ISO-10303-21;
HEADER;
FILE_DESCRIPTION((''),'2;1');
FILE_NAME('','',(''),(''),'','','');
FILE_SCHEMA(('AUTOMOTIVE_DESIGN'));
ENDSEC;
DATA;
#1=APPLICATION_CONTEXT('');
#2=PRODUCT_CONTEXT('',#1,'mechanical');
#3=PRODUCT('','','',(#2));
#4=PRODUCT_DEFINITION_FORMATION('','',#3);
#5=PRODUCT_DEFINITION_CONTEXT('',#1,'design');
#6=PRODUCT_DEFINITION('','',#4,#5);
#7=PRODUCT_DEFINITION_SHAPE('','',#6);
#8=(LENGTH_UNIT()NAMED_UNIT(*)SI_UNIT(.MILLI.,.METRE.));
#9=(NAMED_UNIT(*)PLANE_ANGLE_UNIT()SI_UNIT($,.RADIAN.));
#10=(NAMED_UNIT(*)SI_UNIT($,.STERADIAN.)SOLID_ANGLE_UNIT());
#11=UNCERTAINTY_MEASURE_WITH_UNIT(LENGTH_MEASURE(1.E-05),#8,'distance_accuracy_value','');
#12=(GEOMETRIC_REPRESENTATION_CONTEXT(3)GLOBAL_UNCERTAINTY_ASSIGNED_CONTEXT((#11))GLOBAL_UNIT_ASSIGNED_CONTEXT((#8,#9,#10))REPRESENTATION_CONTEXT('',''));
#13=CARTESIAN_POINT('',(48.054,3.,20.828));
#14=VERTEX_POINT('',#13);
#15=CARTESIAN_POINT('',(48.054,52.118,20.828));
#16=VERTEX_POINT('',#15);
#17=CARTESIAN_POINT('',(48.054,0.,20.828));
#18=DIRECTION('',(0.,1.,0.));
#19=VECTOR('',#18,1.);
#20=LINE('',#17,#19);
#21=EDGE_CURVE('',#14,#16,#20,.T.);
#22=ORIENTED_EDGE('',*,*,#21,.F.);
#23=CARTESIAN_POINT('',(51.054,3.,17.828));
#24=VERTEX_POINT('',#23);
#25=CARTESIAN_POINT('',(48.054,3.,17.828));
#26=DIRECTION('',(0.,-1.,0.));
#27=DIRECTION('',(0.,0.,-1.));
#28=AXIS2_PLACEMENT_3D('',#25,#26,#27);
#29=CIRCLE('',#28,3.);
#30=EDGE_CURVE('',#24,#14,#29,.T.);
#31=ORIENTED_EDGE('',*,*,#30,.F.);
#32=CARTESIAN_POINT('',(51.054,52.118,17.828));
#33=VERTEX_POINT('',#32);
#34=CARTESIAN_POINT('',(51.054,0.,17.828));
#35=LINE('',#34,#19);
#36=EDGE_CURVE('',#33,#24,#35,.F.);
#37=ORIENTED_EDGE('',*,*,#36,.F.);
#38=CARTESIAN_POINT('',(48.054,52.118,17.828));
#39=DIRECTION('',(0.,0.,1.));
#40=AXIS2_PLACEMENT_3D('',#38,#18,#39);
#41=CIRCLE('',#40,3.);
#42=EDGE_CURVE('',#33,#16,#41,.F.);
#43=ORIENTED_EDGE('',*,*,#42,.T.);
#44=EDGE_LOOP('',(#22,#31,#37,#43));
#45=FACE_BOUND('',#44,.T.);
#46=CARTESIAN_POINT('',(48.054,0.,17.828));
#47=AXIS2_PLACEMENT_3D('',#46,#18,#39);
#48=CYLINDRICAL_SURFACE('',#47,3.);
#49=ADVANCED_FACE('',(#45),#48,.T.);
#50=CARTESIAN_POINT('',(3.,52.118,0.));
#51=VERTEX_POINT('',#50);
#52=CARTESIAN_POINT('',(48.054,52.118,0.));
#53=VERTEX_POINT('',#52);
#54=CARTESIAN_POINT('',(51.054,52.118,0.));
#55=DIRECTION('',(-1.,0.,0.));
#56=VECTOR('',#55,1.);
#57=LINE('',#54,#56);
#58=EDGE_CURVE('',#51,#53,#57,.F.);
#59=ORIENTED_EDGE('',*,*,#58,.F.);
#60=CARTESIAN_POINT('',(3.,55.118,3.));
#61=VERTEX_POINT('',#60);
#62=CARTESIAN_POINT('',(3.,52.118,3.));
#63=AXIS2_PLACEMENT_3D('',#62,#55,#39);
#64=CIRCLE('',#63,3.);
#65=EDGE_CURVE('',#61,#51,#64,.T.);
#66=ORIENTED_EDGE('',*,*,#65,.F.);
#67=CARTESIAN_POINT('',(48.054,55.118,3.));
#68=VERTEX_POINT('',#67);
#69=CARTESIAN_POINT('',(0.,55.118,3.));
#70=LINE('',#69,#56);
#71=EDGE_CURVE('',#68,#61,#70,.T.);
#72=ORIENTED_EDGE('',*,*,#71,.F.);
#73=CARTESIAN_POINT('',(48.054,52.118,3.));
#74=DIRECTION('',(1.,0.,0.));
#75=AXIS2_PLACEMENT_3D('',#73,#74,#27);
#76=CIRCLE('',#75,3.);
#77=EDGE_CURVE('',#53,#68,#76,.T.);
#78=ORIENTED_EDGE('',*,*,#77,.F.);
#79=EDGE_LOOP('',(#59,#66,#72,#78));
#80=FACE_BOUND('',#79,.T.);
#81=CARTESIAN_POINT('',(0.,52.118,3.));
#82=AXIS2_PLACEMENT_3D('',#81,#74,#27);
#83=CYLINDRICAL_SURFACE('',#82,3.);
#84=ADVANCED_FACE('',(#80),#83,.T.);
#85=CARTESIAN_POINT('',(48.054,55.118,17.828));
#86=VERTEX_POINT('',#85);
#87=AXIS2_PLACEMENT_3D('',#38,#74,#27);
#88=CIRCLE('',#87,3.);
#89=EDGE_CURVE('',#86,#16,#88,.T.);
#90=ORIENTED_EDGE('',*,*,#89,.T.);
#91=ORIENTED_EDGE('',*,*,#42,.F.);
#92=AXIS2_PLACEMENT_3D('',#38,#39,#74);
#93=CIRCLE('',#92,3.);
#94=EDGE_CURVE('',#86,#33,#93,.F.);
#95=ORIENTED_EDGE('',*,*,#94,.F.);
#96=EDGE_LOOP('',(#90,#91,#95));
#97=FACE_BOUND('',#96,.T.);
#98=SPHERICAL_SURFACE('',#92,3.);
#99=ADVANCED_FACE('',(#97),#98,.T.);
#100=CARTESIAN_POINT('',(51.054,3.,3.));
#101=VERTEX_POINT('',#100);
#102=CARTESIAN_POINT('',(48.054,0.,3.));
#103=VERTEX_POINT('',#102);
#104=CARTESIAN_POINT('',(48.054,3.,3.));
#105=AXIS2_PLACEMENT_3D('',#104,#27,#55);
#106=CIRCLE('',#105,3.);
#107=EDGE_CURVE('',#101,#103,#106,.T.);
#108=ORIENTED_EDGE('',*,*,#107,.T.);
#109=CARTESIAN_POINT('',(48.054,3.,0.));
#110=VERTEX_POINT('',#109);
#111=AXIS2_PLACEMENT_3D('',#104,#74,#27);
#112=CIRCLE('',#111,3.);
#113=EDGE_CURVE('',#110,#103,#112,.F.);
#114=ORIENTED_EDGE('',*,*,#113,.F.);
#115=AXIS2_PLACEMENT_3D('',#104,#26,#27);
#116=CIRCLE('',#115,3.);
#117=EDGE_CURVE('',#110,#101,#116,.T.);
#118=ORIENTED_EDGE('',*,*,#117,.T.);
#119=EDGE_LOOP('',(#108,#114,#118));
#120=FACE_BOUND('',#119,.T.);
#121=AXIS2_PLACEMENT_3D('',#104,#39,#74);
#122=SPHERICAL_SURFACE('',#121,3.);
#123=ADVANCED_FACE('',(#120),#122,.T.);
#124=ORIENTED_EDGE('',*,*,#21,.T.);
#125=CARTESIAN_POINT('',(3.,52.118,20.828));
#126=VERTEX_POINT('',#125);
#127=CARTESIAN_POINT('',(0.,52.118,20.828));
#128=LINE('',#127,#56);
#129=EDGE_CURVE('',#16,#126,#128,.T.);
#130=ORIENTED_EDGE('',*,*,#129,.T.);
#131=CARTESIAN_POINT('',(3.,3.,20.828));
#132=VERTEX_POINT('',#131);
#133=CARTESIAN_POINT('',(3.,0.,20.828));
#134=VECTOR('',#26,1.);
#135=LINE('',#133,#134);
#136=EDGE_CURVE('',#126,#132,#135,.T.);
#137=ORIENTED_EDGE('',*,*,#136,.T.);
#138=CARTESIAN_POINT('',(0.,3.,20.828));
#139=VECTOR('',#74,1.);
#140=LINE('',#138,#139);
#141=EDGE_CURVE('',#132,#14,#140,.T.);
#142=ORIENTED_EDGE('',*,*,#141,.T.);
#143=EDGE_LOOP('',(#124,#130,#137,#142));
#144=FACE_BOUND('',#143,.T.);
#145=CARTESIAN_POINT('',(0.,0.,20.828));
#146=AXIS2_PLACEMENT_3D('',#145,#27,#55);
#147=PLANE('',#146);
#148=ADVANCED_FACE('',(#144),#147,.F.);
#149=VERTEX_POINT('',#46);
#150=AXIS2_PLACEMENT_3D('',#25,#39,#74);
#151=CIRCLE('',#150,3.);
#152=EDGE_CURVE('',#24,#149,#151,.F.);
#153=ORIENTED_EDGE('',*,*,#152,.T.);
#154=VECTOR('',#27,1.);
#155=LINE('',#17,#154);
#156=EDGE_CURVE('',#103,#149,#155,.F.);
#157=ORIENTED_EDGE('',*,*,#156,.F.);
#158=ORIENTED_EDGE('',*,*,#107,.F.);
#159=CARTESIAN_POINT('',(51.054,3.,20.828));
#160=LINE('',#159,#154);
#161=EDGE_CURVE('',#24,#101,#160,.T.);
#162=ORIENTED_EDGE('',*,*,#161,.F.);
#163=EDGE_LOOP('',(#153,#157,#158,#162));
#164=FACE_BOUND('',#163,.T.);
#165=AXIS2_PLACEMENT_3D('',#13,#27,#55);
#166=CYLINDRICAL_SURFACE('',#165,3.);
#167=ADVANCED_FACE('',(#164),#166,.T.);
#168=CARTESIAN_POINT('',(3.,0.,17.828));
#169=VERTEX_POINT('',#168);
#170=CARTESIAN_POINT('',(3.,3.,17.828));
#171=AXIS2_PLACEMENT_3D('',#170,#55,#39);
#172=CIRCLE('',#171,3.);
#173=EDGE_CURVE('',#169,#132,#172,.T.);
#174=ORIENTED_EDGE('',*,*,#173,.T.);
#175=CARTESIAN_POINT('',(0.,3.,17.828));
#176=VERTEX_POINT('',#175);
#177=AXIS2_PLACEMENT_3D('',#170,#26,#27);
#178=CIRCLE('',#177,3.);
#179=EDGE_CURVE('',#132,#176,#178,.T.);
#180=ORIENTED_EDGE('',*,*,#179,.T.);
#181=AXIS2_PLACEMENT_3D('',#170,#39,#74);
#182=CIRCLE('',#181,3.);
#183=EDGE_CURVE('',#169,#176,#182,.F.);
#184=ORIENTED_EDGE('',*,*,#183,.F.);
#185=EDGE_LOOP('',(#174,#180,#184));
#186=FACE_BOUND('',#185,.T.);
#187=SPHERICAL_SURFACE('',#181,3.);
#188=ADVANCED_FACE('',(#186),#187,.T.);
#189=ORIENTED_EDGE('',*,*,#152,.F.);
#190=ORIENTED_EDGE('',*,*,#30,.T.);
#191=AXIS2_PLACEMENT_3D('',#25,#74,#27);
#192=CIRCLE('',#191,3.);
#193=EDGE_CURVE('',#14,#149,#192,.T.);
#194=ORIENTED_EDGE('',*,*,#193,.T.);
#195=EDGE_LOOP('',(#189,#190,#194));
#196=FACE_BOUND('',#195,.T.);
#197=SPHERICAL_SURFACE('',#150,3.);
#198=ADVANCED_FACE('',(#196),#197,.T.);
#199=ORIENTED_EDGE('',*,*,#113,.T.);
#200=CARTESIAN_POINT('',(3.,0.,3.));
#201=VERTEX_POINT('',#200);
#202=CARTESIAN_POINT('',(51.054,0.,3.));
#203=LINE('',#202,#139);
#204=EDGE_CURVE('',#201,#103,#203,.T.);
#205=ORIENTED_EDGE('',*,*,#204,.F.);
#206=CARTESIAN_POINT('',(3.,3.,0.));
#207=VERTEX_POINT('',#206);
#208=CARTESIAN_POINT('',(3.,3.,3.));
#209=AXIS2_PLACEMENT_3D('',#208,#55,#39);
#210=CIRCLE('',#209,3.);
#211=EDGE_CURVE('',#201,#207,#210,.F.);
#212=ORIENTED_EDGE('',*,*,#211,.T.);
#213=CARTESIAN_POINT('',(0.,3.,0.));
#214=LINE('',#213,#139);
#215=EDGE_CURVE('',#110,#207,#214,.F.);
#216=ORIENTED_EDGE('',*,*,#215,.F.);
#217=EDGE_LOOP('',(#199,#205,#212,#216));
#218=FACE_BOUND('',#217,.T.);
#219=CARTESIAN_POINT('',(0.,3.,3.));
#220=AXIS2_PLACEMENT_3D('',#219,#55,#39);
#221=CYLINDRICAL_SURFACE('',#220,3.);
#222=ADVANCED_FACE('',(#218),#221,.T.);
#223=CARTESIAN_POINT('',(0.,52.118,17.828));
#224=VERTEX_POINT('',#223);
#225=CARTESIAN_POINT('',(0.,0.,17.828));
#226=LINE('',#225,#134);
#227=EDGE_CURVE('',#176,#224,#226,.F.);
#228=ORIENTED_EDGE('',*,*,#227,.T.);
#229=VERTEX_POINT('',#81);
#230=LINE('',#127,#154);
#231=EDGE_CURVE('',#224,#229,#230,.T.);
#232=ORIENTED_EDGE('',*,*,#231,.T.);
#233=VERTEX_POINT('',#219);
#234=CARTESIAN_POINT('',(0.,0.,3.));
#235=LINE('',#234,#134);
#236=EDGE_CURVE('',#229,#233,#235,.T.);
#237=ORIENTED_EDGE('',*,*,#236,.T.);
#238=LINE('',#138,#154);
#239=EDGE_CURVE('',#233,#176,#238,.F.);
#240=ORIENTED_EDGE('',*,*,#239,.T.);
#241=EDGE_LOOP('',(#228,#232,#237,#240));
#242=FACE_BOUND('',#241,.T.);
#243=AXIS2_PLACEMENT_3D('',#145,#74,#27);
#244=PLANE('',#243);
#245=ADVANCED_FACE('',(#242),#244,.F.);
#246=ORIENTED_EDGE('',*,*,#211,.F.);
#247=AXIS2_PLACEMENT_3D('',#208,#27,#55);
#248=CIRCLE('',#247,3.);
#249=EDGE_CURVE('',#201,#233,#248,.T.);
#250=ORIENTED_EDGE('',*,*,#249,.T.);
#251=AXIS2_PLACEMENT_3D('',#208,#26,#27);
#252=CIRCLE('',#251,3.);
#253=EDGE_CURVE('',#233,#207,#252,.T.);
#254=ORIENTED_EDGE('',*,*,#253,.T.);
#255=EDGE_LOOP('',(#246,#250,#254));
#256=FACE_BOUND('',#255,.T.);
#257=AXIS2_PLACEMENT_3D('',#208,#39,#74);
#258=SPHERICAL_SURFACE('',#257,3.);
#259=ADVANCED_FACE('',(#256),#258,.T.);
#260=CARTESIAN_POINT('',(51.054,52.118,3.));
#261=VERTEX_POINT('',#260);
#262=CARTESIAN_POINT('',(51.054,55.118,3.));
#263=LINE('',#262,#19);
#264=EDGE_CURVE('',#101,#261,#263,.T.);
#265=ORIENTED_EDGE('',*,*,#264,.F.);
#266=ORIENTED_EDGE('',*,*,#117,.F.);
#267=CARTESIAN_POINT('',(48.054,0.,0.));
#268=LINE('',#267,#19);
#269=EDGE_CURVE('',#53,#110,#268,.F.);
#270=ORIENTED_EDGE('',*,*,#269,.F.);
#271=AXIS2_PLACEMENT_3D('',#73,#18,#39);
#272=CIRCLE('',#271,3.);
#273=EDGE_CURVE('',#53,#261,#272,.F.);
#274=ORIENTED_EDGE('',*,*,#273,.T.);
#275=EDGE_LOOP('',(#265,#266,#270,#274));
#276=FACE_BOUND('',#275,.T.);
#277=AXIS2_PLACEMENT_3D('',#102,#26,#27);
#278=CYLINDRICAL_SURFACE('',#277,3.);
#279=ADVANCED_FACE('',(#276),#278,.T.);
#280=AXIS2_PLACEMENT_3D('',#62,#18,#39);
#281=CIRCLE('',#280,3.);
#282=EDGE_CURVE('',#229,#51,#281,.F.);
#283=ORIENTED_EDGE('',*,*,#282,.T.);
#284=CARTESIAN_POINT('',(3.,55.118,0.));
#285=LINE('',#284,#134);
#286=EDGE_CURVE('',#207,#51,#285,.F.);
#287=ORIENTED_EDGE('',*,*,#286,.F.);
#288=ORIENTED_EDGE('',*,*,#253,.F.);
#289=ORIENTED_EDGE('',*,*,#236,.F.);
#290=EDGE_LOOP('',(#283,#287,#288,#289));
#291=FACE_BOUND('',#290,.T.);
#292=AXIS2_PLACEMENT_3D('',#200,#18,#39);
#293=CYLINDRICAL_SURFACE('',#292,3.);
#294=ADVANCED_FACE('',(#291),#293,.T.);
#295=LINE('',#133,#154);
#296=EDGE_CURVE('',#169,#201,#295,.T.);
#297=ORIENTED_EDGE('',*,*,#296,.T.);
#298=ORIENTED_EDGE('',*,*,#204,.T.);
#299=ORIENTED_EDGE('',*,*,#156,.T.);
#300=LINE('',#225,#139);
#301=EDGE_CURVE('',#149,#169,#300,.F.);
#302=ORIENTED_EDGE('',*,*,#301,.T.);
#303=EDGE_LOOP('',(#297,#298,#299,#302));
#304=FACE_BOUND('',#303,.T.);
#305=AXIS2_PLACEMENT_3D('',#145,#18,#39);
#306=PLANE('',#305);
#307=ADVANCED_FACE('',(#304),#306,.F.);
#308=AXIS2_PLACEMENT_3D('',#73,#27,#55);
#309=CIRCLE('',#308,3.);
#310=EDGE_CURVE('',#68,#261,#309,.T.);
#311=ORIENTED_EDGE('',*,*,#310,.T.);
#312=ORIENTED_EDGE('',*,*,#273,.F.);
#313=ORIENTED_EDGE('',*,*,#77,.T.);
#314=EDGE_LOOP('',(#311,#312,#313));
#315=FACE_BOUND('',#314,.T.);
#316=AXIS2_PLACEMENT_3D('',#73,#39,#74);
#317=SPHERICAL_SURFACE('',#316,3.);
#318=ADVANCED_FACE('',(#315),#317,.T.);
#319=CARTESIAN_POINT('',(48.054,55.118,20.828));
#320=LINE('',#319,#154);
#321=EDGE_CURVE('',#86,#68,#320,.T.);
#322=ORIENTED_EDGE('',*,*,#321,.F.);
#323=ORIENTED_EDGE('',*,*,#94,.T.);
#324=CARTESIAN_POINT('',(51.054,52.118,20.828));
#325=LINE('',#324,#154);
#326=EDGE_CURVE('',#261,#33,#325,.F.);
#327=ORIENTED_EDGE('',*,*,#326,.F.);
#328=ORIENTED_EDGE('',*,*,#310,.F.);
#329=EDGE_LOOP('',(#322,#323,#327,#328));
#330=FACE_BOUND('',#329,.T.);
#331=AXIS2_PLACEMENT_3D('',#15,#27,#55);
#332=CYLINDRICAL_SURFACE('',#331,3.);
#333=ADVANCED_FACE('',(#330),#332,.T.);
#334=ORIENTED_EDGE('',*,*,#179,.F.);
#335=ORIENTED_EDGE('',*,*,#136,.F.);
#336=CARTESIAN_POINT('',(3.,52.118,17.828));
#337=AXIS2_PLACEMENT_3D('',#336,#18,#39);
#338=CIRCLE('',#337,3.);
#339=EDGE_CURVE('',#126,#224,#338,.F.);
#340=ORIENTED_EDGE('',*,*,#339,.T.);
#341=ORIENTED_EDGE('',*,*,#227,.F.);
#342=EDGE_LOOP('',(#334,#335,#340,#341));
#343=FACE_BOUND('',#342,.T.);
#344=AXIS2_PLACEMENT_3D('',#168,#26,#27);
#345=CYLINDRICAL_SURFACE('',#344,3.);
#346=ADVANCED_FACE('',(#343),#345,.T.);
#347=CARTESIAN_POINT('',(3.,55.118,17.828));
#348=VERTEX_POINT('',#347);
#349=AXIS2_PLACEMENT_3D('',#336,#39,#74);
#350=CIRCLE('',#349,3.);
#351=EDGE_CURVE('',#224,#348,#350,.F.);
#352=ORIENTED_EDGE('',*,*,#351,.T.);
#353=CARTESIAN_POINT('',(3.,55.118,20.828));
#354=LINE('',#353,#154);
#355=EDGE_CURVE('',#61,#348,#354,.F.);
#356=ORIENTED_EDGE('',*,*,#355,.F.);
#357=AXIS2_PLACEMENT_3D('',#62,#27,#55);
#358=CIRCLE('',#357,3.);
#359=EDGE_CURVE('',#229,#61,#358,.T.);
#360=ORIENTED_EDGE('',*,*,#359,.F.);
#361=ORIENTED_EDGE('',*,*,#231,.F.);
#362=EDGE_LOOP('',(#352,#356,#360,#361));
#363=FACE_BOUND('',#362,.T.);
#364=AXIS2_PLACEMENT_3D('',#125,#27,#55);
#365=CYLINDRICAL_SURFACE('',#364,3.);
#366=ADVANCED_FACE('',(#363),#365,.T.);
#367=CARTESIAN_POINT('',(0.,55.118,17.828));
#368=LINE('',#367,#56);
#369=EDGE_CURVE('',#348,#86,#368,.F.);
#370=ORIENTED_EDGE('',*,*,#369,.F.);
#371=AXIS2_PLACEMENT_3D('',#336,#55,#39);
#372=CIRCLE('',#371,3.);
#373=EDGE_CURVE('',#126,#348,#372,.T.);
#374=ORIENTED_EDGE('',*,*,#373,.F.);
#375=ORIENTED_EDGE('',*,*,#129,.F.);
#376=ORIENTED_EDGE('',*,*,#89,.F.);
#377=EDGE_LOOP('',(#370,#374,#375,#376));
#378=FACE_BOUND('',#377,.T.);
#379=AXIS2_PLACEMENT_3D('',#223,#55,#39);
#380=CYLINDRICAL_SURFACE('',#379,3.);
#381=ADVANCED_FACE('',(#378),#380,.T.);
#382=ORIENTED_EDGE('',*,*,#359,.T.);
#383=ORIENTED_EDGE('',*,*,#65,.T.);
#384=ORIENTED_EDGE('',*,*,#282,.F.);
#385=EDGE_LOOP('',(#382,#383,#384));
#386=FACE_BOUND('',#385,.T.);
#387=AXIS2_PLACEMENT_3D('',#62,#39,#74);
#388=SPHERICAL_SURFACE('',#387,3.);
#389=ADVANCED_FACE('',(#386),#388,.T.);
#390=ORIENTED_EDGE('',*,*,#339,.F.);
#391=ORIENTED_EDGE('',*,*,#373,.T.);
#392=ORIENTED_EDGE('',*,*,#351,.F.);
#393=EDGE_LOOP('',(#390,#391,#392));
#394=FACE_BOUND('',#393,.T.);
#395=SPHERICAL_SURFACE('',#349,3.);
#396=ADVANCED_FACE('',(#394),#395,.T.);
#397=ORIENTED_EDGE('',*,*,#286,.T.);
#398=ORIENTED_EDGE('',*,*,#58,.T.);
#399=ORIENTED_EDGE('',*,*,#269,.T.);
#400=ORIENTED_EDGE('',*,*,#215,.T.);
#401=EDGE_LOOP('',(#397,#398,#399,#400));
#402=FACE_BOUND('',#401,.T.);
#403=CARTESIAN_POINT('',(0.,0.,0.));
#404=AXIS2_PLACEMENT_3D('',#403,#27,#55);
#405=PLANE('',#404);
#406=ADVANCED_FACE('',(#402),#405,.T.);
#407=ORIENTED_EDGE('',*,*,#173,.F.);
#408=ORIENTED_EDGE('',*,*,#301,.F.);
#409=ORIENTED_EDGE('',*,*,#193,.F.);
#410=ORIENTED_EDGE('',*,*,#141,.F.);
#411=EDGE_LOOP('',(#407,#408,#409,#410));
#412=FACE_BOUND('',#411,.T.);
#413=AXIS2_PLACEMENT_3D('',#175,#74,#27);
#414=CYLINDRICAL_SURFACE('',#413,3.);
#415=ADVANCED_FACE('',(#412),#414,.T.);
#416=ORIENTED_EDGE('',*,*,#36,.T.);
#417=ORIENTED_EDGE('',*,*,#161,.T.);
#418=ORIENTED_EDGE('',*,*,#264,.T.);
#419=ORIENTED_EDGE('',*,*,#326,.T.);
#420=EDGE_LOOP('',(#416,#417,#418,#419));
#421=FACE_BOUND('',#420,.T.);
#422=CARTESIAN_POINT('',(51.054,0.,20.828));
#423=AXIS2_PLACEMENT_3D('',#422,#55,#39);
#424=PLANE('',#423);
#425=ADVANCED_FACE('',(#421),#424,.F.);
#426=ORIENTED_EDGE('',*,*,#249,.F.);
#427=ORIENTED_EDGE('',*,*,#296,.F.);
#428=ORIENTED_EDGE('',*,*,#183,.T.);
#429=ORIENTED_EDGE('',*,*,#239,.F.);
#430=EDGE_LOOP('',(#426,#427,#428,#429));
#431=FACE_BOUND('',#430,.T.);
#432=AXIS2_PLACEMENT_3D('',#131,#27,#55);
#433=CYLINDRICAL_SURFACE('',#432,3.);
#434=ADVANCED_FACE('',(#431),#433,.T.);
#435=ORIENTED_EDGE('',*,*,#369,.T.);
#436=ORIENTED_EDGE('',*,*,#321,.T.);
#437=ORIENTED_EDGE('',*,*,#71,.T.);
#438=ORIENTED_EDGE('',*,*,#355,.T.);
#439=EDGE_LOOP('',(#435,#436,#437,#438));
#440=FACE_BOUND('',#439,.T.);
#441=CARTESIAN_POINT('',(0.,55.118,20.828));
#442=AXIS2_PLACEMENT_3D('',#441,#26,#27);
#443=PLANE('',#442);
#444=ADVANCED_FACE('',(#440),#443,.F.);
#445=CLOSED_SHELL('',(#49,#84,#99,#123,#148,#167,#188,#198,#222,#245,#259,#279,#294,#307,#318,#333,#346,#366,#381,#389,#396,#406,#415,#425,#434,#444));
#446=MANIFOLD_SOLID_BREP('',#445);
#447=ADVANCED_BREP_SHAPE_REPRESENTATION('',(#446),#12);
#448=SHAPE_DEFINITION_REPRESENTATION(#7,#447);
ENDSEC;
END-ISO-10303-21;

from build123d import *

# Parameters (mm, degrees)
SKETCH1_W           = 51.054
SKETCH1_H           = 55.118
BOSS_EXTRUDE1_DEPTH = 20.828
FILLET1_R           = 3


with BuildPart() as part:
    # Sketch1 → Boss-Extrude1 (new body)
    with BuildSketch(Plane.XY):
        with Locations((25.527, 27.559)):
            Rectangle(SKETCH1_W, SKETCH1_H)
    extrude(amount=BOSS_EXTRUDE1_DEPTH)

    # Fillet1
    fillet1_edges = [part.edges().sort_by_distance(p)[0] for p in [
        (51.054, 27.559, 20.828),
        (25.527, 55.118, 20.828),
        (0, 27.559, 20.828),
        (25.527, 55.118, 0),
        (51.054, 27.559, 0),
        (25.527, 0, 0),
        (0, 27.559, 0),
        (25.527, 0, 20.828),
        (0, 55.118, 10.414),
        (51.054, 55.118, 10.414),
        (51.054, 0, 10.414),
        (0, 0, 10.414),
    ]]
    fillet(fillet1_edges, radius=FILLET1_R)


solid = part.part
